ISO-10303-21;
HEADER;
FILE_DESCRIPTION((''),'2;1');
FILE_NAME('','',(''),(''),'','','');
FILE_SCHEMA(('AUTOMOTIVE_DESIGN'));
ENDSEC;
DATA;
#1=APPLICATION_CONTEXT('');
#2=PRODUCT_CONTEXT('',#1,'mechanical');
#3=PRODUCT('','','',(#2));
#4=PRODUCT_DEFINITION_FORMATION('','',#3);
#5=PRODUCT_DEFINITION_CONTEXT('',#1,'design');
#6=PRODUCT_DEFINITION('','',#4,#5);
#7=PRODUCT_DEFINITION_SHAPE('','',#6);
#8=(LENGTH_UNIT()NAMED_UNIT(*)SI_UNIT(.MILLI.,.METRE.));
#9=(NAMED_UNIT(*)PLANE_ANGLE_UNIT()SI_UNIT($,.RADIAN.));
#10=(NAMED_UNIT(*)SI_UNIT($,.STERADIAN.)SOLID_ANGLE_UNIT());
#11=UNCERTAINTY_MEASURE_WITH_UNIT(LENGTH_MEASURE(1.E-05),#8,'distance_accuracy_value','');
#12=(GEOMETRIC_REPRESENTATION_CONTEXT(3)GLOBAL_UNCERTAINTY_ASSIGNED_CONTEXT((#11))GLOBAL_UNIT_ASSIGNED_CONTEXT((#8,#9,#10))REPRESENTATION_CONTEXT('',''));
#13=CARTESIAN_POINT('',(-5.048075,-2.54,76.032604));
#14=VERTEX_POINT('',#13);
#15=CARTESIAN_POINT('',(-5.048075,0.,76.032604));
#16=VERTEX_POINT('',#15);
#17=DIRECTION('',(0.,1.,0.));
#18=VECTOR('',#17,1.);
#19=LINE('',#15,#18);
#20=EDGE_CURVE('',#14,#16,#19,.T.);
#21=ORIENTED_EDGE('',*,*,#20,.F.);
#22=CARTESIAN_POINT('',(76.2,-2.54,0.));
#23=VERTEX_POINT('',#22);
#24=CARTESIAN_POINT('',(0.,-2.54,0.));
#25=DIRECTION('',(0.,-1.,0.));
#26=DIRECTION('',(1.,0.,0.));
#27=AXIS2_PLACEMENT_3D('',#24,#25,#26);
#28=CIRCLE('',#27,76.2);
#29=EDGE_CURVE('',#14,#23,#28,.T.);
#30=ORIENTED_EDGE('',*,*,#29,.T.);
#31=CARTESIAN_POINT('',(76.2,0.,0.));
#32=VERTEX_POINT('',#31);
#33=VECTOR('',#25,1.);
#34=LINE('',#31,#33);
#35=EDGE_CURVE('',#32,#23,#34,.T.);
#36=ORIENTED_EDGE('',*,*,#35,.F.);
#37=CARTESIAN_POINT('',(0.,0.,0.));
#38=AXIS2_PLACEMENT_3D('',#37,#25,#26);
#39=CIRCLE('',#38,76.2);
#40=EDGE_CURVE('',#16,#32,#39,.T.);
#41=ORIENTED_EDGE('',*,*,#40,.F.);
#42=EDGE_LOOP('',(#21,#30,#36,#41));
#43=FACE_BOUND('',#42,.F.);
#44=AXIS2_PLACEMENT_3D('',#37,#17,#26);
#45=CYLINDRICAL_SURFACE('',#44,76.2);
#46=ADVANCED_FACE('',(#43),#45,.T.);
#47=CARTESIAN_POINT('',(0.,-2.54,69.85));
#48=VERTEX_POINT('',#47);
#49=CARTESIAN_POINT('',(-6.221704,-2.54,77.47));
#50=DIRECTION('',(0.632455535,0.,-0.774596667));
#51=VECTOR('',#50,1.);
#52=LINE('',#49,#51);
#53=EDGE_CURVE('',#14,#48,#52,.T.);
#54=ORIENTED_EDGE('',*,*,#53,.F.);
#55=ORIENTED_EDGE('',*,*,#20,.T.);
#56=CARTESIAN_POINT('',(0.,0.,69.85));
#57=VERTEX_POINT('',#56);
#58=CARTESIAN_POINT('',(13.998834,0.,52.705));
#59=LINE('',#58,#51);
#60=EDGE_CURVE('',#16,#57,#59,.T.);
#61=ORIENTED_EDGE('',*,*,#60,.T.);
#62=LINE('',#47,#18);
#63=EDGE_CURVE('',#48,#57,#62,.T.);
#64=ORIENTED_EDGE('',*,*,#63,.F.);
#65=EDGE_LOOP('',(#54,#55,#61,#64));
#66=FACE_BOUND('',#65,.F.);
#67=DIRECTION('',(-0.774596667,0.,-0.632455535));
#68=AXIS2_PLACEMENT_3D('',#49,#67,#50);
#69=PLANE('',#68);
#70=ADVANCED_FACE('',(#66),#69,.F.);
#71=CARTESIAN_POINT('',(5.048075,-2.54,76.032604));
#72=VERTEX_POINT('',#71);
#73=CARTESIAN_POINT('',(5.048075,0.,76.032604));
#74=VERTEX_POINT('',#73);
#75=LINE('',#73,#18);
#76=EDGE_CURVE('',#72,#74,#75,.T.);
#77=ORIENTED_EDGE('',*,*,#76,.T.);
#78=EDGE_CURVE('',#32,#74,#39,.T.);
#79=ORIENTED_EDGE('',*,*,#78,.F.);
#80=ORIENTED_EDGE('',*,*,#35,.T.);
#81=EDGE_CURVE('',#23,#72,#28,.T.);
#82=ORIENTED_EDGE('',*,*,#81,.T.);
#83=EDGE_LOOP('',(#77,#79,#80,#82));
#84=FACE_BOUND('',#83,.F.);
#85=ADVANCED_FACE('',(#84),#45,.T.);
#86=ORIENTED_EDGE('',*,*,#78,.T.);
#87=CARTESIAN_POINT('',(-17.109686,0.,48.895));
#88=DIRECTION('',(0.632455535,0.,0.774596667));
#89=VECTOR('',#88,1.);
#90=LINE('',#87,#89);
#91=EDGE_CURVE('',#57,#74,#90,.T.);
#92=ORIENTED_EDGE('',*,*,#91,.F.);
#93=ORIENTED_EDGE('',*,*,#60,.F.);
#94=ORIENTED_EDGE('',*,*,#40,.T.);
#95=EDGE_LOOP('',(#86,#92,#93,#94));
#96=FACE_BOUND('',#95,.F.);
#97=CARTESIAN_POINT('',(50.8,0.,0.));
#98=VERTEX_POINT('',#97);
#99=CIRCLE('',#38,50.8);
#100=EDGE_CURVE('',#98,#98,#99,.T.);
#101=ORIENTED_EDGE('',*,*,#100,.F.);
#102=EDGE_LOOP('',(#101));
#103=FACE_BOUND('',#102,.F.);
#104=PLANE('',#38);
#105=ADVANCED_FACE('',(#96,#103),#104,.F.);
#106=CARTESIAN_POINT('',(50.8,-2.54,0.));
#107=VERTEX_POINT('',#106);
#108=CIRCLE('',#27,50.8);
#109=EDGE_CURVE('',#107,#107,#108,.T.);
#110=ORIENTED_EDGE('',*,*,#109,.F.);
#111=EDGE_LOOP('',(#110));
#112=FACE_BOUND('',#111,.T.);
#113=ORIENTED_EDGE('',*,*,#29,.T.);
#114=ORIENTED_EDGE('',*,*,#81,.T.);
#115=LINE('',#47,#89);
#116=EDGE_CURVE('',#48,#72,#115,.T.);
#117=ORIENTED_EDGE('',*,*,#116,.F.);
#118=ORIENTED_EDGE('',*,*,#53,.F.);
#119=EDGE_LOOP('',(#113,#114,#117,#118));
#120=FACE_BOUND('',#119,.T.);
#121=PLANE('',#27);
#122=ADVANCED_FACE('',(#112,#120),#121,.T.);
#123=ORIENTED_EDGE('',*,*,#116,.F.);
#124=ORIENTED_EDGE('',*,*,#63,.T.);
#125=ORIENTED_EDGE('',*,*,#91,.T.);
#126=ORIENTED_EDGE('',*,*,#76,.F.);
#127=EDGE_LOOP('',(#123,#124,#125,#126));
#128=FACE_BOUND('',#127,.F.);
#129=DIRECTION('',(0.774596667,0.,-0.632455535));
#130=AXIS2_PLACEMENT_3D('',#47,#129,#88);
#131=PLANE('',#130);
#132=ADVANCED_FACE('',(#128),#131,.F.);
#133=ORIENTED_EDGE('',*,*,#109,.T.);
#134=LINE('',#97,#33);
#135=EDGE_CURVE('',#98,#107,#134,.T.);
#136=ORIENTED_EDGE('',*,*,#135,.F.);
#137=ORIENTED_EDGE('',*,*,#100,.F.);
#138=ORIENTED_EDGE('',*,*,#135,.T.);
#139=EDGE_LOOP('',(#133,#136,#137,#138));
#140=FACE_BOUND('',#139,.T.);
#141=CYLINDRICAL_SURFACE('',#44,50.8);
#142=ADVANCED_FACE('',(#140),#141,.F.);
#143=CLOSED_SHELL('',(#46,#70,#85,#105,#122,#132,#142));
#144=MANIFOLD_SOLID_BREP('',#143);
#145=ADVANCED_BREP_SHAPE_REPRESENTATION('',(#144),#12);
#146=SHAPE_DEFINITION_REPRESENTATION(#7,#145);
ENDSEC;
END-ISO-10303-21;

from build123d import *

# Parameters (mm, degrees)
F0_R     = 76.2
F0_R_2   = 50.8
F1_DEPTH = 2.54
F3_DEPTH = 25.4


with BuildPart() as f1:
    # F0 (on Front) → F1 (new body)
    with BuildSketch(Plane.XZ):
        Circle(F0_R)
        Circle(F0_R_2, mode=Mode.SUBTRACT)
    extrude(amount=F1_DEPTH)

    # F2 (on face) → F3 (cut)
    with BuildSketch(Plane.XZ.offset(2.54)):
        Polygon((-6.221704, 77.47), (0, 69.85), (6.221704, 77.47), align=None)
    extrude(amount=-F3_DEPTH, mode=Mode.SUBTRACT)


solid = f1.part
